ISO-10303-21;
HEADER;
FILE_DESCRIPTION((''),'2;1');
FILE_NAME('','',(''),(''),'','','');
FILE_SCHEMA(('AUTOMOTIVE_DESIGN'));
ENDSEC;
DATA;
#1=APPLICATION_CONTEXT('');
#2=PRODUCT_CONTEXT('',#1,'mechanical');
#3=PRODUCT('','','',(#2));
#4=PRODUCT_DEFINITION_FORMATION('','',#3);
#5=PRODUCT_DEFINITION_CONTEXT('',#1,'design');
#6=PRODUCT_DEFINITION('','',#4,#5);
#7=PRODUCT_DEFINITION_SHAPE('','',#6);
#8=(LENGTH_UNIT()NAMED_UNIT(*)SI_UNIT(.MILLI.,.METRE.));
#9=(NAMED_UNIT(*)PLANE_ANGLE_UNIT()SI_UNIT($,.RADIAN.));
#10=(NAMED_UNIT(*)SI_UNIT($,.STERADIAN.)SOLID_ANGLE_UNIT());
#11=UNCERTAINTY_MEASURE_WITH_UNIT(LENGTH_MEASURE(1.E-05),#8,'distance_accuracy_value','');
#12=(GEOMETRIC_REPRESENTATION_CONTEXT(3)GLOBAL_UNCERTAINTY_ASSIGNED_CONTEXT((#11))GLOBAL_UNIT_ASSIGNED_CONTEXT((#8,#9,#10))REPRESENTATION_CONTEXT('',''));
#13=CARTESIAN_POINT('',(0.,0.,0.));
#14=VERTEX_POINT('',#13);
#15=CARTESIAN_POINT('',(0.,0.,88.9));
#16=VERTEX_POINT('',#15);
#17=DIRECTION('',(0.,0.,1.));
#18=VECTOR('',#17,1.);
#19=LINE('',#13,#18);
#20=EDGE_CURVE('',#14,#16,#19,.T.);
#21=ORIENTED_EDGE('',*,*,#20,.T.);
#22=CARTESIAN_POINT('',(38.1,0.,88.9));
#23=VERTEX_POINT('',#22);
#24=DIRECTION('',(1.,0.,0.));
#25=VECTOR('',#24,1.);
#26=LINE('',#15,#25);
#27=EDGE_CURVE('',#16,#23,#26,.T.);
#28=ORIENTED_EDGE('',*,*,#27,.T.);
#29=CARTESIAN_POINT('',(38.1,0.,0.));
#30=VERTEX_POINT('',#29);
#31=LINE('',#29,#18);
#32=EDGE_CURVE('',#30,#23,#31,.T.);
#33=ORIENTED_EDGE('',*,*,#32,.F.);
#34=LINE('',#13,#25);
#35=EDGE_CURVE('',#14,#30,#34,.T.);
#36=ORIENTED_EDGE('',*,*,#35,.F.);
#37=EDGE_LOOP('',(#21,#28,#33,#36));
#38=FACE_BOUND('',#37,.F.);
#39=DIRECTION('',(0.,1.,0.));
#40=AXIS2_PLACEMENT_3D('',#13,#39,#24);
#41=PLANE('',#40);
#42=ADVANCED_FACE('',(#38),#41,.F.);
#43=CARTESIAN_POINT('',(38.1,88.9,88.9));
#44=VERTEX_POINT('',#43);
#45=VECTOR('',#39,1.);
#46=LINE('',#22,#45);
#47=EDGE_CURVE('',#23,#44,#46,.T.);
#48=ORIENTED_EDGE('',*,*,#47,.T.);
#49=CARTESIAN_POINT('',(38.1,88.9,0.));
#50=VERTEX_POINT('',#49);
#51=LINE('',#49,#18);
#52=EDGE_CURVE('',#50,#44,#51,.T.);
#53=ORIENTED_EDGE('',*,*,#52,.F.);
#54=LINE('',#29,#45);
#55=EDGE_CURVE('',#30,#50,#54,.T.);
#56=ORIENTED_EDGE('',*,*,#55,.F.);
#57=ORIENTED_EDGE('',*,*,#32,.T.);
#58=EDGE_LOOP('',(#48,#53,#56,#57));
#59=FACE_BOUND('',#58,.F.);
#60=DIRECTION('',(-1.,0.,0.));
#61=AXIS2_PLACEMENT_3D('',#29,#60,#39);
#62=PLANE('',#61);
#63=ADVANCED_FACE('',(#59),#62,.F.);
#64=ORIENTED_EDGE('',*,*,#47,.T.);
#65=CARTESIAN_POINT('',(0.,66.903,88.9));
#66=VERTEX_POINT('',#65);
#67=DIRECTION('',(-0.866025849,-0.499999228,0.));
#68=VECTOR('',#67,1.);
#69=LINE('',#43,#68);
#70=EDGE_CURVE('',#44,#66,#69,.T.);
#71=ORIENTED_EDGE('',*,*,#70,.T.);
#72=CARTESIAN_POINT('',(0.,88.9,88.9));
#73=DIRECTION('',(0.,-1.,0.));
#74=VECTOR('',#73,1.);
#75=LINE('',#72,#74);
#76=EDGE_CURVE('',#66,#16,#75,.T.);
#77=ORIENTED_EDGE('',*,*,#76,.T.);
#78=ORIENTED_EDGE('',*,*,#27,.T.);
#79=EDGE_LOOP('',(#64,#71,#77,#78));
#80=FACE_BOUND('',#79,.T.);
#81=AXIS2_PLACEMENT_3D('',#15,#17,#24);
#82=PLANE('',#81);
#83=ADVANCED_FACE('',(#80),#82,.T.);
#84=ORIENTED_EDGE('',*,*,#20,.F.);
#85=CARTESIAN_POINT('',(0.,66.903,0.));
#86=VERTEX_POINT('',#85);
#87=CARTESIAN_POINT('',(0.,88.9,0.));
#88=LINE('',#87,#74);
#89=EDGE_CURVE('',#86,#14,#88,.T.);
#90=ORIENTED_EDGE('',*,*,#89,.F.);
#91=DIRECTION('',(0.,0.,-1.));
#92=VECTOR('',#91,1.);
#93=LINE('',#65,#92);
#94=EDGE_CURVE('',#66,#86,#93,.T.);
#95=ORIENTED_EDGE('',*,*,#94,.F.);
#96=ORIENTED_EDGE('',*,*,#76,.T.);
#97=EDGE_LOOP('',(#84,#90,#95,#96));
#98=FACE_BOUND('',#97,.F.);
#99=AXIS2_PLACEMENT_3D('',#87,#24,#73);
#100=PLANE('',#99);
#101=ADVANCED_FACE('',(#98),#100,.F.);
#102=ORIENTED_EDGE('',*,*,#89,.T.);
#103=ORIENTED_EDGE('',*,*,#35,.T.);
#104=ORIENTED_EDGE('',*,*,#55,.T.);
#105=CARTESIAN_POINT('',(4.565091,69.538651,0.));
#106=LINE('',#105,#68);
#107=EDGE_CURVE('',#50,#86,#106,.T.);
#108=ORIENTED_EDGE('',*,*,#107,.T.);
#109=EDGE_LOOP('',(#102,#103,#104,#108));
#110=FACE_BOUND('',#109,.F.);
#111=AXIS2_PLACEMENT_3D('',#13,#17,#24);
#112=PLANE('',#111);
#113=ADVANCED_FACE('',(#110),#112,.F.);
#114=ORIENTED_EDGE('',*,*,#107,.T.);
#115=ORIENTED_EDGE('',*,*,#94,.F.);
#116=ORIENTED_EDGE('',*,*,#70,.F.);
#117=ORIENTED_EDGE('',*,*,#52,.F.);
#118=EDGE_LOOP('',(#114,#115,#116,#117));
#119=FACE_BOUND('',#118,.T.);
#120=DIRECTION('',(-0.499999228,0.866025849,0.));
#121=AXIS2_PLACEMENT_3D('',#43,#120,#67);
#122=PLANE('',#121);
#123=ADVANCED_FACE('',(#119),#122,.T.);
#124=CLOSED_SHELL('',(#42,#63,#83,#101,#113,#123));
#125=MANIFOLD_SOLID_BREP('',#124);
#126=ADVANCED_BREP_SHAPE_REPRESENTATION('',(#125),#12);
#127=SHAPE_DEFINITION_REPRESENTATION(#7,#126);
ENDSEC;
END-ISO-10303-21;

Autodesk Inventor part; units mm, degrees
ref_plane "YZ Plane" through (0, 0, 0) normal (1, 0, 0) x (0, 1, 0)
ref_plane "XZ Plane" through (0, 0, 0) normal (0, 1, 0) x (-1, 0, 0)
ref_plane "XY Plane" through (0, 0, 0) normal (0, 0, 1) x (1, 0, 0)
sketch "Sketch1" plane through (0, 0, 0) normal (0, 0, 1) x (1, 0, 0)
  line L0 (0, 0) -> (38.1, 0)
  line L1 (38.1, 0) -> (38.1, 88.9)
  line L2 (38.1, 88.9) -> (0, 88.9)
  line L3 (0, 88.9) -> (0, 0)
  dimension "d0" = 38.1
  dimension "d1" = 88.9
extrude "Extrusion1" add sketch "Sketch1" along normal blind 88.9
sketch "Sketch2" plane through (0, 0, 88.9) normal (0, 0, 1) x (1, 0, 0)
  line L0 (38.1, 0) -> (38.1, 88.9) projected
  line L1 (38.1, 88.9) -> (0, 66.903)
  line L2 (0, 88.9) -> (0, 0) projected
  line L3 (0, 66.903) -> (0, 88.9)
  line L4 (0, 88.9) -> (38.1, 88.9)
  dimension "d4" = 30
extrude "Extrusion2" cut sketch "Sketch2" against normal through all
properties part number "BA06" material "Wood (Oak)"
